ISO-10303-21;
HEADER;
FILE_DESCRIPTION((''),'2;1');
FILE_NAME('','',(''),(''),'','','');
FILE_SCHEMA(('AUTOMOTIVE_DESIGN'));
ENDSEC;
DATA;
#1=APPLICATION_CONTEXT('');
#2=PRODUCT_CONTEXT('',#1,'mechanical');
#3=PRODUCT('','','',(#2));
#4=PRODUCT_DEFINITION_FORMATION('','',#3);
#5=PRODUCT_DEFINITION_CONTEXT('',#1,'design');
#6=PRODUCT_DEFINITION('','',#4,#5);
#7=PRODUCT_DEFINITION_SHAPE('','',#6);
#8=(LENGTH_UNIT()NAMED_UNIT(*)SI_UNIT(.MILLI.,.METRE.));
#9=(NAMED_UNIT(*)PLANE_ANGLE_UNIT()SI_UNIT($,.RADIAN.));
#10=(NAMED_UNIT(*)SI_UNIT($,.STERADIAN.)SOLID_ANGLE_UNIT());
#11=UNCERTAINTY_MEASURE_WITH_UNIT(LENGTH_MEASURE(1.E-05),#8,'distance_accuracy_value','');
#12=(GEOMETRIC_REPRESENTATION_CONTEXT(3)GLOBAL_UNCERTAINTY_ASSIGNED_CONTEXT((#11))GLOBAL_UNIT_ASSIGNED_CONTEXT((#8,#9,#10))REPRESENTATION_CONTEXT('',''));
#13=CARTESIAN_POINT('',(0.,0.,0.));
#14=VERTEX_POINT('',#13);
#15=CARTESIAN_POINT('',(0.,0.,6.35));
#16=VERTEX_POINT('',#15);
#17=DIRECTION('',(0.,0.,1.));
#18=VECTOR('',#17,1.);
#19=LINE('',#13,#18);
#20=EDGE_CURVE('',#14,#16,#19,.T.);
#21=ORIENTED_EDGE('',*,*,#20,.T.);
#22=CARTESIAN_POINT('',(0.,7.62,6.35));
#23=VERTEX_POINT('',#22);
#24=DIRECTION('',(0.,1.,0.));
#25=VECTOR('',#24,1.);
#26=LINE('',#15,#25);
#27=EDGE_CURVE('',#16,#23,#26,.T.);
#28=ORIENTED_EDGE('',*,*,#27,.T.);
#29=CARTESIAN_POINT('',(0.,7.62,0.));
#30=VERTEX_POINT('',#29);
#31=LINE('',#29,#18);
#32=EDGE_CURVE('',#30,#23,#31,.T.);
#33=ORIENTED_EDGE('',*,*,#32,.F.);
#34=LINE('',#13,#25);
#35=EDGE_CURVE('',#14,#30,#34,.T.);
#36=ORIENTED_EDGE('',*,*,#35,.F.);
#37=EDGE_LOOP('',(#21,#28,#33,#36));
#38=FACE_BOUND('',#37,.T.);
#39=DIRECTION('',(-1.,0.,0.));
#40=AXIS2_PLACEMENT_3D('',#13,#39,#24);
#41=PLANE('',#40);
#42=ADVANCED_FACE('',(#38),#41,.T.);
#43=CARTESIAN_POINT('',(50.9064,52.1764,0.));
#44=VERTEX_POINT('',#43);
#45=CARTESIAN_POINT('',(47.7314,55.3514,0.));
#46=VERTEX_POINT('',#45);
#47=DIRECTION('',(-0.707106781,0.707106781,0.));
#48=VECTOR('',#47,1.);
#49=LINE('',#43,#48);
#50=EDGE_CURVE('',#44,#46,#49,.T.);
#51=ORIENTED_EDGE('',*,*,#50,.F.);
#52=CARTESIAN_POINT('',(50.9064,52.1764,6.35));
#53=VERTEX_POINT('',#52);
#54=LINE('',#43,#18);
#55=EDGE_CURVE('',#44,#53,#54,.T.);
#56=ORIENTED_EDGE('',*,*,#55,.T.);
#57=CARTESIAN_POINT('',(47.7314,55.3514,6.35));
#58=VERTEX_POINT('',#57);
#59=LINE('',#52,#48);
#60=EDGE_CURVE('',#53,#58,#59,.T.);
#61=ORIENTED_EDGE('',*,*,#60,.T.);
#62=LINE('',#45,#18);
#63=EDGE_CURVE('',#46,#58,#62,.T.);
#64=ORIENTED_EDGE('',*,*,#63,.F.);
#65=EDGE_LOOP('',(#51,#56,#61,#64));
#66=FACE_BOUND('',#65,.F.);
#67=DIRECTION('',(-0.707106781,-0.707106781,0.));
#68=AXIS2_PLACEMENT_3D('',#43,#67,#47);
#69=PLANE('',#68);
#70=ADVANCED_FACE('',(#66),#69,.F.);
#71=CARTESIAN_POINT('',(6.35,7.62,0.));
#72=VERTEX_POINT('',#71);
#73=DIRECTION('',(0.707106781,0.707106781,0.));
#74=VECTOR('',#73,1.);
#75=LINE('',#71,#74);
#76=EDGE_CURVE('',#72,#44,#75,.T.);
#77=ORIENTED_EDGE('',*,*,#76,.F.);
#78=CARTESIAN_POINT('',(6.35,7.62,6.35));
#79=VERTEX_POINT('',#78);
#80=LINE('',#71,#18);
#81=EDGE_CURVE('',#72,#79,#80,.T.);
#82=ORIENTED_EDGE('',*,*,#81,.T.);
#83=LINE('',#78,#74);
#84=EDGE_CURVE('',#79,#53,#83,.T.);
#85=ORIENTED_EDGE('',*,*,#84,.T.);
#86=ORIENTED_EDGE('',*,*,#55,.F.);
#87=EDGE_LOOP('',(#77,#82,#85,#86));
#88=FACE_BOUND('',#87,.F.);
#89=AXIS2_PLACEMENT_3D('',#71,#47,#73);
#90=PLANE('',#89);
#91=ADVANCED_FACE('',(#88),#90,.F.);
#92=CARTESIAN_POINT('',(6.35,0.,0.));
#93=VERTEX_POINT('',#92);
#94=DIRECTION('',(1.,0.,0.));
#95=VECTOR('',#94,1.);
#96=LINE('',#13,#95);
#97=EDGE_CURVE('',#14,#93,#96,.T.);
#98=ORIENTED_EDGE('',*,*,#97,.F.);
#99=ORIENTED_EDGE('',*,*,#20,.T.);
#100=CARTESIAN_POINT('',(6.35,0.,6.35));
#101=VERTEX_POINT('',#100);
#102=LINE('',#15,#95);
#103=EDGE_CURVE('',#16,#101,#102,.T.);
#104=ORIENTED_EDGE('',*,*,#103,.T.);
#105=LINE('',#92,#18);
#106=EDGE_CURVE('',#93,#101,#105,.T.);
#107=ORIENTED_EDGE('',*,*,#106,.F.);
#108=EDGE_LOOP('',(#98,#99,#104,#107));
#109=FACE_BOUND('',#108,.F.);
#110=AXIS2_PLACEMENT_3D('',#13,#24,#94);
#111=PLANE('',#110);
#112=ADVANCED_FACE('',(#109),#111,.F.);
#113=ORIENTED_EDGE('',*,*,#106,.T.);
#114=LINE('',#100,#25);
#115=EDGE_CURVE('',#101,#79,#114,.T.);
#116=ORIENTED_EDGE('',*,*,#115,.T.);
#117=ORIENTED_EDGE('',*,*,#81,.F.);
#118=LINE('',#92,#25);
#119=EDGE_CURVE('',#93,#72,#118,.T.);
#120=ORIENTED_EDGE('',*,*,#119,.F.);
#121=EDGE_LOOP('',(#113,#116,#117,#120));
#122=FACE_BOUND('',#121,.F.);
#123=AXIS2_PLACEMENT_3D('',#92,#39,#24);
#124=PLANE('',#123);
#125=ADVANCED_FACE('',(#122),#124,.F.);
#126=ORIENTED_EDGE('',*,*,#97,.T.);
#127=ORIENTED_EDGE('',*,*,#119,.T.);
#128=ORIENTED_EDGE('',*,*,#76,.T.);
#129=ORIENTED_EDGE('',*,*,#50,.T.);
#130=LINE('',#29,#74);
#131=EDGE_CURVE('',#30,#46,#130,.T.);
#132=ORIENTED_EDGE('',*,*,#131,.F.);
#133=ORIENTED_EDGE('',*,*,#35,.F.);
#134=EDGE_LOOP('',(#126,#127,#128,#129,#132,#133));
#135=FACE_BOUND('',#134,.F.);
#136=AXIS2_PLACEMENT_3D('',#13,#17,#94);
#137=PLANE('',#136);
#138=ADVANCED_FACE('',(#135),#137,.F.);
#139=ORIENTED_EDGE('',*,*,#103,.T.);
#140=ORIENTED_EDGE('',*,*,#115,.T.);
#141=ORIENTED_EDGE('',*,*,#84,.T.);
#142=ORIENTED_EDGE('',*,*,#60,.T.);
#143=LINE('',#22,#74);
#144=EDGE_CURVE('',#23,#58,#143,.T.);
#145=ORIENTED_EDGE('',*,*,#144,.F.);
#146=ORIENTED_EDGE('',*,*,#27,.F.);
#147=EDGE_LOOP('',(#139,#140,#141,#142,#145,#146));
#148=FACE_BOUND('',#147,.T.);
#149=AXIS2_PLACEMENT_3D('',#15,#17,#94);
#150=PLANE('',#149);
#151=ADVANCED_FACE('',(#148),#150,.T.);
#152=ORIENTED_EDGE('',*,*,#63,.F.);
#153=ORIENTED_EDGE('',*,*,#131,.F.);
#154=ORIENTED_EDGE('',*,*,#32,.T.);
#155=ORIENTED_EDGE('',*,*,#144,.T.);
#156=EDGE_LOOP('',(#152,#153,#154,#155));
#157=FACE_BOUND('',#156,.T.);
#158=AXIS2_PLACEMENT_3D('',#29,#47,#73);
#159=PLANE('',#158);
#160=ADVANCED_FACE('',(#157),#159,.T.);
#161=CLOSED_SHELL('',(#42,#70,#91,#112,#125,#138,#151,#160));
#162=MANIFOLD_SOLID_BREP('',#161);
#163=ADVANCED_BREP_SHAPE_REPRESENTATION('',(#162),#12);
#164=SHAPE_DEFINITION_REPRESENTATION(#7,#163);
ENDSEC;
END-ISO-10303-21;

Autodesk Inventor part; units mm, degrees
ref_plane "YZ Plane" through (0, 0, 0) normal (1, 0, 0) x (0, 1, 0)
ref_plane "XZ Plane" through (0, 0, 0) normal (0, 1, 0) x (-1, 0, 0)
ref_plane "XY Plane" through (0, 0, 0) normal (0, 0, 1) x (1, 0, 0)
sketch "Sketch1" plane through (0, 0, 0) normal (0, 0, 1) x (1, 0, 0)
  line L0 (0, 0) -> (0, 7.62)
  line L1 (0, 0) -> (6.35, 0)
  line L2 (6.35, 0) -> (6.35, 7.62)
  line L3 (0, 7.62) -> (47.7314, 55.3514)
  line L4 (6.35, 7.62) -> (50.9064, 52.1764)
  line L5 (50.9064, 52.1764) -> (47.7314, 55.3514)
  dimension "d1" = 7.62
  dimension "d2" = 6.35
  dimension "d3" = 7.62
  dimension "d4" = 45
  dimension "d5" = 3.175
  dimension "d6" = 3.175
extrude "Extrusion1" add sketch "Sketch1" along normal blind 6.35
properties part number "Feeding Mounter"
